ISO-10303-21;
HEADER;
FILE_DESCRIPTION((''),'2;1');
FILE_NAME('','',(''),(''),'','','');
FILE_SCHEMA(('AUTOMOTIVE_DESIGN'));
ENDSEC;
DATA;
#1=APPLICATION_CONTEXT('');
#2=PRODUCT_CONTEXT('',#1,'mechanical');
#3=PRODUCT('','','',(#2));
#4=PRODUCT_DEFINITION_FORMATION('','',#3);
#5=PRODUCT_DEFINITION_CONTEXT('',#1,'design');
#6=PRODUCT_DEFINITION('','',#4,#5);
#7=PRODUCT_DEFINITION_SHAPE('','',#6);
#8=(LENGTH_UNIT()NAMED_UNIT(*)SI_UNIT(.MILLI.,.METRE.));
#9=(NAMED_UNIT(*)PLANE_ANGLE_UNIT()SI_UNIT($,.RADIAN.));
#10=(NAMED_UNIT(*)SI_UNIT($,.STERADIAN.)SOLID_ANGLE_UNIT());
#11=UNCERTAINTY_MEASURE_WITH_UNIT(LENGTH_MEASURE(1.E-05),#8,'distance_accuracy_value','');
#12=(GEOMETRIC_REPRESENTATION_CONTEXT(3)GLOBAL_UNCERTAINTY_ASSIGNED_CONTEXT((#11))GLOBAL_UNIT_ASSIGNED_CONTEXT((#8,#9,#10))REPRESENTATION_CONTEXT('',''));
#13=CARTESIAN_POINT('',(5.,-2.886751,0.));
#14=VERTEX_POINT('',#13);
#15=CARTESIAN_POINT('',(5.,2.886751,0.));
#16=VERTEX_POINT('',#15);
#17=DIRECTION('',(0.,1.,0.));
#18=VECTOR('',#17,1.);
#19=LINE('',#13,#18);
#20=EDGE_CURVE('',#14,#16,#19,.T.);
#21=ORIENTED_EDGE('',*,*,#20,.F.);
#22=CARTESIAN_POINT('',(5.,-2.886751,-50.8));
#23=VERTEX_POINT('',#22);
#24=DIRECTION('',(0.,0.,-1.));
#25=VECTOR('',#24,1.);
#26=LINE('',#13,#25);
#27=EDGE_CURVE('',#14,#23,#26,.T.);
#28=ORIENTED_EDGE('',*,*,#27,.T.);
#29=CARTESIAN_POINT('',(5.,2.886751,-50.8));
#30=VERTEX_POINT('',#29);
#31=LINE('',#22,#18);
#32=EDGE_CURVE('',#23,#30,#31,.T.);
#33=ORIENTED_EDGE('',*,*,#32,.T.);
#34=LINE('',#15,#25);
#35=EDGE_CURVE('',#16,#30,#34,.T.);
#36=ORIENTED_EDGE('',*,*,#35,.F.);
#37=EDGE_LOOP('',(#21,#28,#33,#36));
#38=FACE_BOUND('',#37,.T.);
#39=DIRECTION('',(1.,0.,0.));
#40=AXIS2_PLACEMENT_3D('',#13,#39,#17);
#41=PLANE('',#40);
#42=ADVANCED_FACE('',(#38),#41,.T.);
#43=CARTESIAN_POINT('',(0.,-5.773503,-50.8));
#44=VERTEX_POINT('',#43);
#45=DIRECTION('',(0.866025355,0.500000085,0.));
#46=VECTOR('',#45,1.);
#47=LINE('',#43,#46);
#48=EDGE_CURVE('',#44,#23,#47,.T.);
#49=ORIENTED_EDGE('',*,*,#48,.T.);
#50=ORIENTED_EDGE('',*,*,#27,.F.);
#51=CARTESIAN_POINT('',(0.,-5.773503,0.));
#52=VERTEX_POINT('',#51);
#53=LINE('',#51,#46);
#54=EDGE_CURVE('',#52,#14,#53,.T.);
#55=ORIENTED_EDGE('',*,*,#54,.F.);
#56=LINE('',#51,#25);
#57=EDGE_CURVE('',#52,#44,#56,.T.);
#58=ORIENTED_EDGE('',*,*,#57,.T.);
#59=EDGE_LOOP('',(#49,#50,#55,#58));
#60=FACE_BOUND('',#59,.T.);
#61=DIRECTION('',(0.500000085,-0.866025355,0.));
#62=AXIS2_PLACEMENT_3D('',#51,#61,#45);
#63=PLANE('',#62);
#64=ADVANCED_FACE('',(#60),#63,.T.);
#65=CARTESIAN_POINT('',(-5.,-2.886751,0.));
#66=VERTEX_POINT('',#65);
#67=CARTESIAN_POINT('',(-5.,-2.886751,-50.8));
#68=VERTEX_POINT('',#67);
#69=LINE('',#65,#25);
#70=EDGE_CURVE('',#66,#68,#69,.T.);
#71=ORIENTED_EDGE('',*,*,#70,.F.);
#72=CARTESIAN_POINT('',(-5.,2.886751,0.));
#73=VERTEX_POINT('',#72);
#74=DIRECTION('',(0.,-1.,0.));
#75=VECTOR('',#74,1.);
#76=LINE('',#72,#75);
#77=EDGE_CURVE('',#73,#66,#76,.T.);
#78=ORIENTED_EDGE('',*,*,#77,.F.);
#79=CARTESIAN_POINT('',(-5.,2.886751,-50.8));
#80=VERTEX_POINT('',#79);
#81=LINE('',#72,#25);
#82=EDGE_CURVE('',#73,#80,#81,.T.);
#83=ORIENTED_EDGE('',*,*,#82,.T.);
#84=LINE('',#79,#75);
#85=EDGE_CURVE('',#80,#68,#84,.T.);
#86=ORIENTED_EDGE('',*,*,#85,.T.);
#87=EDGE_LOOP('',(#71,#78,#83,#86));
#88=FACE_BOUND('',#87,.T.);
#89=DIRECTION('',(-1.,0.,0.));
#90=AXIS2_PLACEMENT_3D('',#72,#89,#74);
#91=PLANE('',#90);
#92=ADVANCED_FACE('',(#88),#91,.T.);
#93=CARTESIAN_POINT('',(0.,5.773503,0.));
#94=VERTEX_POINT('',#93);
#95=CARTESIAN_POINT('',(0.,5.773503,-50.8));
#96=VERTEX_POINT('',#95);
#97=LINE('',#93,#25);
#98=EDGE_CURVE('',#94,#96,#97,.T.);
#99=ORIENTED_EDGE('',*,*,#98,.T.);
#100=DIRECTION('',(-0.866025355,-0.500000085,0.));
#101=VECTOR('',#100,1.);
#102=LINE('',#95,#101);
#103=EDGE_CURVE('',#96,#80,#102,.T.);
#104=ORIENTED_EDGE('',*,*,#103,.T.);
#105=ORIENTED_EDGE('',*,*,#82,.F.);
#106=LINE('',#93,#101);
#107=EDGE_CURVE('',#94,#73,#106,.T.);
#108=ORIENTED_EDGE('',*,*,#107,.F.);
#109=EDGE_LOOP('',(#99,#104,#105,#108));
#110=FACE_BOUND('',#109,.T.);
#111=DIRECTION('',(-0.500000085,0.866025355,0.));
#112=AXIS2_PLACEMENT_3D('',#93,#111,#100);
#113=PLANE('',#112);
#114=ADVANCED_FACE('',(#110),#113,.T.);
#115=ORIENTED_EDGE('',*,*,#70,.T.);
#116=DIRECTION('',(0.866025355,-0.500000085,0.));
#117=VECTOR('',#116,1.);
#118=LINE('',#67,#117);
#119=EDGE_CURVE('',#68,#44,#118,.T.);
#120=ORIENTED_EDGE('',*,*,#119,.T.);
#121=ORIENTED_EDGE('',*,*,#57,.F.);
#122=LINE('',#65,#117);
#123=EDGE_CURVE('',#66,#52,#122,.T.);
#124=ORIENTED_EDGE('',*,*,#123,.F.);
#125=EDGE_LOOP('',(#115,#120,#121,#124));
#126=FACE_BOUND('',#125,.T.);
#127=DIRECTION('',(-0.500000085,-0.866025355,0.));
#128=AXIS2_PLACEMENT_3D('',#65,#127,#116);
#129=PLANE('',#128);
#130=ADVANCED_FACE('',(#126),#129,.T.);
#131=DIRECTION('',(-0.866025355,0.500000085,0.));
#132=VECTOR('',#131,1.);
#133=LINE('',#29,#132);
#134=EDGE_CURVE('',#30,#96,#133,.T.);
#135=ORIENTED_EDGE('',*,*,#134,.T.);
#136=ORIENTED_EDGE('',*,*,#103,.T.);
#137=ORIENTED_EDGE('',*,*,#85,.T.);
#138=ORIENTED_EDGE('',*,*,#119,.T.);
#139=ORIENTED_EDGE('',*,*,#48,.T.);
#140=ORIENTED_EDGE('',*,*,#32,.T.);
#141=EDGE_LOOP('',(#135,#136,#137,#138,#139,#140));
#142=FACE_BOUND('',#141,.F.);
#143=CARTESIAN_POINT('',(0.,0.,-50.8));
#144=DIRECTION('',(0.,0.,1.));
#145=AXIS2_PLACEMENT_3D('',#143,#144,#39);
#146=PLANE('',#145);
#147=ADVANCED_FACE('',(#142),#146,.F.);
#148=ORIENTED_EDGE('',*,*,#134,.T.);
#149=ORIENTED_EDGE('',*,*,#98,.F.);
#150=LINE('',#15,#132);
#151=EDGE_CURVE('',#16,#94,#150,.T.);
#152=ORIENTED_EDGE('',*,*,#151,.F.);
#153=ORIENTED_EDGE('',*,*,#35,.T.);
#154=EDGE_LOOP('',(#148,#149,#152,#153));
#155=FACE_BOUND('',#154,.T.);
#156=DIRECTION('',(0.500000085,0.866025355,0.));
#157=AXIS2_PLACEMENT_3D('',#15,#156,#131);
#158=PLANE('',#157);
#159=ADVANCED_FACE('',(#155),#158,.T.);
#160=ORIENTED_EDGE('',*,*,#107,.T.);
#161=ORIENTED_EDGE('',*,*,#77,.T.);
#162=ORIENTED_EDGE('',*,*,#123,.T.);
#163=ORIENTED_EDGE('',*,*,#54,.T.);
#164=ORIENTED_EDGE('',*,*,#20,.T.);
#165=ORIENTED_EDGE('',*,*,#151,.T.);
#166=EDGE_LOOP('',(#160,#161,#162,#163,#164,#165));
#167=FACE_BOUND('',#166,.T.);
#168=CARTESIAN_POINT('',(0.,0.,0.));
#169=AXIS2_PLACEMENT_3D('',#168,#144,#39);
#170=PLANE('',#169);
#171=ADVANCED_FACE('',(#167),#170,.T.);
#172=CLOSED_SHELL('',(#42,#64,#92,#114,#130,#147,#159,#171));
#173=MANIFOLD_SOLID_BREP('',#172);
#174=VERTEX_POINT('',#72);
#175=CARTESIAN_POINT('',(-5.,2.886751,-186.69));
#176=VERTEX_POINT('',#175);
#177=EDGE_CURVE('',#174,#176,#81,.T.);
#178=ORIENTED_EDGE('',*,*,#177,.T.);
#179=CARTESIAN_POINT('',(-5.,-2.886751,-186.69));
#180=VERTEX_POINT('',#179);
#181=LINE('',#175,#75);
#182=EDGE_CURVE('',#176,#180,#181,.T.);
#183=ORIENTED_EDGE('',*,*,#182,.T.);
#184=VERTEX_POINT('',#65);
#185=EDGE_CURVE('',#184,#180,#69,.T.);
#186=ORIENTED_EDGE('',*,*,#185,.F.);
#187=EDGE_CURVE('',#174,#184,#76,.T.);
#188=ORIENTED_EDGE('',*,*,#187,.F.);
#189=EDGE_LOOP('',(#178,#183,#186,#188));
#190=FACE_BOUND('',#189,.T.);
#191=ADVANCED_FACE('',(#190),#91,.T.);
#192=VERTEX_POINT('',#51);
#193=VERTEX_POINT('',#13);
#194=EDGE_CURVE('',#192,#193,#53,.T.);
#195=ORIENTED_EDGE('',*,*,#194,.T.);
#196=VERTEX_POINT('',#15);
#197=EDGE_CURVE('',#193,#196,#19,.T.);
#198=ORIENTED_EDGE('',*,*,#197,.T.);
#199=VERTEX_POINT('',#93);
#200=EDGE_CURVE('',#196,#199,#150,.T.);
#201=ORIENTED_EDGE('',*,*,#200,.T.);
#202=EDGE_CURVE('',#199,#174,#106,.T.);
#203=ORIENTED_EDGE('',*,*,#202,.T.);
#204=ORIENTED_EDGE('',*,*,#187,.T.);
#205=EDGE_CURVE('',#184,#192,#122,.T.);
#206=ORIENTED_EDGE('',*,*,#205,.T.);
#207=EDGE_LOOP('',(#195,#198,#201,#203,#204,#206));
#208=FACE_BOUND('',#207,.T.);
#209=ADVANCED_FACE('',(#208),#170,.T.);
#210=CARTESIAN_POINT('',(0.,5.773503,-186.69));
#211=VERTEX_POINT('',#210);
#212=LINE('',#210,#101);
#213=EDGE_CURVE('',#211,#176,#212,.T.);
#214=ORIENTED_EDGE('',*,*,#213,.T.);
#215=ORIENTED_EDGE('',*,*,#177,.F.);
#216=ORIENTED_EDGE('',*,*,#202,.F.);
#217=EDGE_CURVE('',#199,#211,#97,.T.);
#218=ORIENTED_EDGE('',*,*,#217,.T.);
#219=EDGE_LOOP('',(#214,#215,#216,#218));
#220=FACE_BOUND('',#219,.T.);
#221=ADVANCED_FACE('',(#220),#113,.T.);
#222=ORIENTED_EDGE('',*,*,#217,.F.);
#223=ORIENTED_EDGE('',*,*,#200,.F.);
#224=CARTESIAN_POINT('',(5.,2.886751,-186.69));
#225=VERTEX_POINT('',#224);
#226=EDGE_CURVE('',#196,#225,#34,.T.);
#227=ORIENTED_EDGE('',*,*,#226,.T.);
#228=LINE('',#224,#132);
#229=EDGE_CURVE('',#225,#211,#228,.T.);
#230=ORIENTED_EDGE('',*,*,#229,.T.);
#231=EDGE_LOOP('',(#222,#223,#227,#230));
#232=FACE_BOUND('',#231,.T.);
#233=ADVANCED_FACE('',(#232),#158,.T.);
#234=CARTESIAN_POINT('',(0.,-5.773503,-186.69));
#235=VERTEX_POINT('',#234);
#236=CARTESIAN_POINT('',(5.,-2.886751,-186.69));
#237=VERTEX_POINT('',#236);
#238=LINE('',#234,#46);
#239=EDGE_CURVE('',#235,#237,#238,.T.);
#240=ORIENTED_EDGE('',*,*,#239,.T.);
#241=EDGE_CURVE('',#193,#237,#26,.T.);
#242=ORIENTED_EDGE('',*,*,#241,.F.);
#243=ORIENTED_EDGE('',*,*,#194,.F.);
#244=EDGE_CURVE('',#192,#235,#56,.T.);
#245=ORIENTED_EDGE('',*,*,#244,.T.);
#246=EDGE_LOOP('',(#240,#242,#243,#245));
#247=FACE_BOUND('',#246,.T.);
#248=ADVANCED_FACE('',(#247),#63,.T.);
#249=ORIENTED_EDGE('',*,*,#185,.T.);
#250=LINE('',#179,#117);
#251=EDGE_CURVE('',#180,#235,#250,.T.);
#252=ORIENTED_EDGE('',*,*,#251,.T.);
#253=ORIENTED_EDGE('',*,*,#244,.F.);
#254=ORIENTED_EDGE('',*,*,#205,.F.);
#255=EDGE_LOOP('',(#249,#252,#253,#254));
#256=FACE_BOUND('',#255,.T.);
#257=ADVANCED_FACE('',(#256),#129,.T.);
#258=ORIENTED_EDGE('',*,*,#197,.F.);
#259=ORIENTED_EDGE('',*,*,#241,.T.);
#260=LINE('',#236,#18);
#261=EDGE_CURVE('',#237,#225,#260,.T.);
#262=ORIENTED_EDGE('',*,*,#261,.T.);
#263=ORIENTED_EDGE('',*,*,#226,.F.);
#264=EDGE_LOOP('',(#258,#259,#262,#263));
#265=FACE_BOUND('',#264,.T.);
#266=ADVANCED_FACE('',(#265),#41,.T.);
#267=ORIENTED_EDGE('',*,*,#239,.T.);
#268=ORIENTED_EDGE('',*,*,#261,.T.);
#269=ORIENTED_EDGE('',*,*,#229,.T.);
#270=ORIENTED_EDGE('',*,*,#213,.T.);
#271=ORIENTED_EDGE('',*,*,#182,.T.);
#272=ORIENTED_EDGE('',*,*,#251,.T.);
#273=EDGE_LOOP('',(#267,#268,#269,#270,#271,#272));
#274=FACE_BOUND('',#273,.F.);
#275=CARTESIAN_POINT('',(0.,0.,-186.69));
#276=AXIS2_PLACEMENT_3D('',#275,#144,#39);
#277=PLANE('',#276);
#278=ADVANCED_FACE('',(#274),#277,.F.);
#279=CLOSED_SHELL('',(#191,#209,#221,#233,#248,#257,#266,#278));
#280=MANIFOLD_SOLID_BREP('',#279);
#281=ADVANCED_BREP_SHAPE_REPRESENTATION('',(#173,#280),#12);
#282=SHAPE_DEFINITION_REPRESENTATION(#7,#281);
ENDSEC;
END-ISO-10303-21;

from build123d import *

# Parameters (mm, degrees)
F1_DEPTH = 186.69
F2_DEPTH = 50.8


with BuildPart() as f1:
    # F0 (on Top) → F1 (new body)
    with BuildSketch(Plane.XY):
        Polygon((5, -2.886751), (5, 2.886751), (0, 5.773503), (-5, 2.886751), (-5, -2.886751), (0, -5.773503), align=None)
    extrude(amount=-F1_DEPTH)


with BuildPart() as f2:
    # F0 (on Top) → F2 (new body)
    with BuildSketch(Plane.XY):
        Polygon((5, -2.886751), (5, 2.886751), (0, 5.773503), (-5, 2.886751), (-5, -2.886751), (0, -5.773503), align=None)
    extrude(amount=-F2_DEPTH)


solid = Compound([f1.part, f2.part])
